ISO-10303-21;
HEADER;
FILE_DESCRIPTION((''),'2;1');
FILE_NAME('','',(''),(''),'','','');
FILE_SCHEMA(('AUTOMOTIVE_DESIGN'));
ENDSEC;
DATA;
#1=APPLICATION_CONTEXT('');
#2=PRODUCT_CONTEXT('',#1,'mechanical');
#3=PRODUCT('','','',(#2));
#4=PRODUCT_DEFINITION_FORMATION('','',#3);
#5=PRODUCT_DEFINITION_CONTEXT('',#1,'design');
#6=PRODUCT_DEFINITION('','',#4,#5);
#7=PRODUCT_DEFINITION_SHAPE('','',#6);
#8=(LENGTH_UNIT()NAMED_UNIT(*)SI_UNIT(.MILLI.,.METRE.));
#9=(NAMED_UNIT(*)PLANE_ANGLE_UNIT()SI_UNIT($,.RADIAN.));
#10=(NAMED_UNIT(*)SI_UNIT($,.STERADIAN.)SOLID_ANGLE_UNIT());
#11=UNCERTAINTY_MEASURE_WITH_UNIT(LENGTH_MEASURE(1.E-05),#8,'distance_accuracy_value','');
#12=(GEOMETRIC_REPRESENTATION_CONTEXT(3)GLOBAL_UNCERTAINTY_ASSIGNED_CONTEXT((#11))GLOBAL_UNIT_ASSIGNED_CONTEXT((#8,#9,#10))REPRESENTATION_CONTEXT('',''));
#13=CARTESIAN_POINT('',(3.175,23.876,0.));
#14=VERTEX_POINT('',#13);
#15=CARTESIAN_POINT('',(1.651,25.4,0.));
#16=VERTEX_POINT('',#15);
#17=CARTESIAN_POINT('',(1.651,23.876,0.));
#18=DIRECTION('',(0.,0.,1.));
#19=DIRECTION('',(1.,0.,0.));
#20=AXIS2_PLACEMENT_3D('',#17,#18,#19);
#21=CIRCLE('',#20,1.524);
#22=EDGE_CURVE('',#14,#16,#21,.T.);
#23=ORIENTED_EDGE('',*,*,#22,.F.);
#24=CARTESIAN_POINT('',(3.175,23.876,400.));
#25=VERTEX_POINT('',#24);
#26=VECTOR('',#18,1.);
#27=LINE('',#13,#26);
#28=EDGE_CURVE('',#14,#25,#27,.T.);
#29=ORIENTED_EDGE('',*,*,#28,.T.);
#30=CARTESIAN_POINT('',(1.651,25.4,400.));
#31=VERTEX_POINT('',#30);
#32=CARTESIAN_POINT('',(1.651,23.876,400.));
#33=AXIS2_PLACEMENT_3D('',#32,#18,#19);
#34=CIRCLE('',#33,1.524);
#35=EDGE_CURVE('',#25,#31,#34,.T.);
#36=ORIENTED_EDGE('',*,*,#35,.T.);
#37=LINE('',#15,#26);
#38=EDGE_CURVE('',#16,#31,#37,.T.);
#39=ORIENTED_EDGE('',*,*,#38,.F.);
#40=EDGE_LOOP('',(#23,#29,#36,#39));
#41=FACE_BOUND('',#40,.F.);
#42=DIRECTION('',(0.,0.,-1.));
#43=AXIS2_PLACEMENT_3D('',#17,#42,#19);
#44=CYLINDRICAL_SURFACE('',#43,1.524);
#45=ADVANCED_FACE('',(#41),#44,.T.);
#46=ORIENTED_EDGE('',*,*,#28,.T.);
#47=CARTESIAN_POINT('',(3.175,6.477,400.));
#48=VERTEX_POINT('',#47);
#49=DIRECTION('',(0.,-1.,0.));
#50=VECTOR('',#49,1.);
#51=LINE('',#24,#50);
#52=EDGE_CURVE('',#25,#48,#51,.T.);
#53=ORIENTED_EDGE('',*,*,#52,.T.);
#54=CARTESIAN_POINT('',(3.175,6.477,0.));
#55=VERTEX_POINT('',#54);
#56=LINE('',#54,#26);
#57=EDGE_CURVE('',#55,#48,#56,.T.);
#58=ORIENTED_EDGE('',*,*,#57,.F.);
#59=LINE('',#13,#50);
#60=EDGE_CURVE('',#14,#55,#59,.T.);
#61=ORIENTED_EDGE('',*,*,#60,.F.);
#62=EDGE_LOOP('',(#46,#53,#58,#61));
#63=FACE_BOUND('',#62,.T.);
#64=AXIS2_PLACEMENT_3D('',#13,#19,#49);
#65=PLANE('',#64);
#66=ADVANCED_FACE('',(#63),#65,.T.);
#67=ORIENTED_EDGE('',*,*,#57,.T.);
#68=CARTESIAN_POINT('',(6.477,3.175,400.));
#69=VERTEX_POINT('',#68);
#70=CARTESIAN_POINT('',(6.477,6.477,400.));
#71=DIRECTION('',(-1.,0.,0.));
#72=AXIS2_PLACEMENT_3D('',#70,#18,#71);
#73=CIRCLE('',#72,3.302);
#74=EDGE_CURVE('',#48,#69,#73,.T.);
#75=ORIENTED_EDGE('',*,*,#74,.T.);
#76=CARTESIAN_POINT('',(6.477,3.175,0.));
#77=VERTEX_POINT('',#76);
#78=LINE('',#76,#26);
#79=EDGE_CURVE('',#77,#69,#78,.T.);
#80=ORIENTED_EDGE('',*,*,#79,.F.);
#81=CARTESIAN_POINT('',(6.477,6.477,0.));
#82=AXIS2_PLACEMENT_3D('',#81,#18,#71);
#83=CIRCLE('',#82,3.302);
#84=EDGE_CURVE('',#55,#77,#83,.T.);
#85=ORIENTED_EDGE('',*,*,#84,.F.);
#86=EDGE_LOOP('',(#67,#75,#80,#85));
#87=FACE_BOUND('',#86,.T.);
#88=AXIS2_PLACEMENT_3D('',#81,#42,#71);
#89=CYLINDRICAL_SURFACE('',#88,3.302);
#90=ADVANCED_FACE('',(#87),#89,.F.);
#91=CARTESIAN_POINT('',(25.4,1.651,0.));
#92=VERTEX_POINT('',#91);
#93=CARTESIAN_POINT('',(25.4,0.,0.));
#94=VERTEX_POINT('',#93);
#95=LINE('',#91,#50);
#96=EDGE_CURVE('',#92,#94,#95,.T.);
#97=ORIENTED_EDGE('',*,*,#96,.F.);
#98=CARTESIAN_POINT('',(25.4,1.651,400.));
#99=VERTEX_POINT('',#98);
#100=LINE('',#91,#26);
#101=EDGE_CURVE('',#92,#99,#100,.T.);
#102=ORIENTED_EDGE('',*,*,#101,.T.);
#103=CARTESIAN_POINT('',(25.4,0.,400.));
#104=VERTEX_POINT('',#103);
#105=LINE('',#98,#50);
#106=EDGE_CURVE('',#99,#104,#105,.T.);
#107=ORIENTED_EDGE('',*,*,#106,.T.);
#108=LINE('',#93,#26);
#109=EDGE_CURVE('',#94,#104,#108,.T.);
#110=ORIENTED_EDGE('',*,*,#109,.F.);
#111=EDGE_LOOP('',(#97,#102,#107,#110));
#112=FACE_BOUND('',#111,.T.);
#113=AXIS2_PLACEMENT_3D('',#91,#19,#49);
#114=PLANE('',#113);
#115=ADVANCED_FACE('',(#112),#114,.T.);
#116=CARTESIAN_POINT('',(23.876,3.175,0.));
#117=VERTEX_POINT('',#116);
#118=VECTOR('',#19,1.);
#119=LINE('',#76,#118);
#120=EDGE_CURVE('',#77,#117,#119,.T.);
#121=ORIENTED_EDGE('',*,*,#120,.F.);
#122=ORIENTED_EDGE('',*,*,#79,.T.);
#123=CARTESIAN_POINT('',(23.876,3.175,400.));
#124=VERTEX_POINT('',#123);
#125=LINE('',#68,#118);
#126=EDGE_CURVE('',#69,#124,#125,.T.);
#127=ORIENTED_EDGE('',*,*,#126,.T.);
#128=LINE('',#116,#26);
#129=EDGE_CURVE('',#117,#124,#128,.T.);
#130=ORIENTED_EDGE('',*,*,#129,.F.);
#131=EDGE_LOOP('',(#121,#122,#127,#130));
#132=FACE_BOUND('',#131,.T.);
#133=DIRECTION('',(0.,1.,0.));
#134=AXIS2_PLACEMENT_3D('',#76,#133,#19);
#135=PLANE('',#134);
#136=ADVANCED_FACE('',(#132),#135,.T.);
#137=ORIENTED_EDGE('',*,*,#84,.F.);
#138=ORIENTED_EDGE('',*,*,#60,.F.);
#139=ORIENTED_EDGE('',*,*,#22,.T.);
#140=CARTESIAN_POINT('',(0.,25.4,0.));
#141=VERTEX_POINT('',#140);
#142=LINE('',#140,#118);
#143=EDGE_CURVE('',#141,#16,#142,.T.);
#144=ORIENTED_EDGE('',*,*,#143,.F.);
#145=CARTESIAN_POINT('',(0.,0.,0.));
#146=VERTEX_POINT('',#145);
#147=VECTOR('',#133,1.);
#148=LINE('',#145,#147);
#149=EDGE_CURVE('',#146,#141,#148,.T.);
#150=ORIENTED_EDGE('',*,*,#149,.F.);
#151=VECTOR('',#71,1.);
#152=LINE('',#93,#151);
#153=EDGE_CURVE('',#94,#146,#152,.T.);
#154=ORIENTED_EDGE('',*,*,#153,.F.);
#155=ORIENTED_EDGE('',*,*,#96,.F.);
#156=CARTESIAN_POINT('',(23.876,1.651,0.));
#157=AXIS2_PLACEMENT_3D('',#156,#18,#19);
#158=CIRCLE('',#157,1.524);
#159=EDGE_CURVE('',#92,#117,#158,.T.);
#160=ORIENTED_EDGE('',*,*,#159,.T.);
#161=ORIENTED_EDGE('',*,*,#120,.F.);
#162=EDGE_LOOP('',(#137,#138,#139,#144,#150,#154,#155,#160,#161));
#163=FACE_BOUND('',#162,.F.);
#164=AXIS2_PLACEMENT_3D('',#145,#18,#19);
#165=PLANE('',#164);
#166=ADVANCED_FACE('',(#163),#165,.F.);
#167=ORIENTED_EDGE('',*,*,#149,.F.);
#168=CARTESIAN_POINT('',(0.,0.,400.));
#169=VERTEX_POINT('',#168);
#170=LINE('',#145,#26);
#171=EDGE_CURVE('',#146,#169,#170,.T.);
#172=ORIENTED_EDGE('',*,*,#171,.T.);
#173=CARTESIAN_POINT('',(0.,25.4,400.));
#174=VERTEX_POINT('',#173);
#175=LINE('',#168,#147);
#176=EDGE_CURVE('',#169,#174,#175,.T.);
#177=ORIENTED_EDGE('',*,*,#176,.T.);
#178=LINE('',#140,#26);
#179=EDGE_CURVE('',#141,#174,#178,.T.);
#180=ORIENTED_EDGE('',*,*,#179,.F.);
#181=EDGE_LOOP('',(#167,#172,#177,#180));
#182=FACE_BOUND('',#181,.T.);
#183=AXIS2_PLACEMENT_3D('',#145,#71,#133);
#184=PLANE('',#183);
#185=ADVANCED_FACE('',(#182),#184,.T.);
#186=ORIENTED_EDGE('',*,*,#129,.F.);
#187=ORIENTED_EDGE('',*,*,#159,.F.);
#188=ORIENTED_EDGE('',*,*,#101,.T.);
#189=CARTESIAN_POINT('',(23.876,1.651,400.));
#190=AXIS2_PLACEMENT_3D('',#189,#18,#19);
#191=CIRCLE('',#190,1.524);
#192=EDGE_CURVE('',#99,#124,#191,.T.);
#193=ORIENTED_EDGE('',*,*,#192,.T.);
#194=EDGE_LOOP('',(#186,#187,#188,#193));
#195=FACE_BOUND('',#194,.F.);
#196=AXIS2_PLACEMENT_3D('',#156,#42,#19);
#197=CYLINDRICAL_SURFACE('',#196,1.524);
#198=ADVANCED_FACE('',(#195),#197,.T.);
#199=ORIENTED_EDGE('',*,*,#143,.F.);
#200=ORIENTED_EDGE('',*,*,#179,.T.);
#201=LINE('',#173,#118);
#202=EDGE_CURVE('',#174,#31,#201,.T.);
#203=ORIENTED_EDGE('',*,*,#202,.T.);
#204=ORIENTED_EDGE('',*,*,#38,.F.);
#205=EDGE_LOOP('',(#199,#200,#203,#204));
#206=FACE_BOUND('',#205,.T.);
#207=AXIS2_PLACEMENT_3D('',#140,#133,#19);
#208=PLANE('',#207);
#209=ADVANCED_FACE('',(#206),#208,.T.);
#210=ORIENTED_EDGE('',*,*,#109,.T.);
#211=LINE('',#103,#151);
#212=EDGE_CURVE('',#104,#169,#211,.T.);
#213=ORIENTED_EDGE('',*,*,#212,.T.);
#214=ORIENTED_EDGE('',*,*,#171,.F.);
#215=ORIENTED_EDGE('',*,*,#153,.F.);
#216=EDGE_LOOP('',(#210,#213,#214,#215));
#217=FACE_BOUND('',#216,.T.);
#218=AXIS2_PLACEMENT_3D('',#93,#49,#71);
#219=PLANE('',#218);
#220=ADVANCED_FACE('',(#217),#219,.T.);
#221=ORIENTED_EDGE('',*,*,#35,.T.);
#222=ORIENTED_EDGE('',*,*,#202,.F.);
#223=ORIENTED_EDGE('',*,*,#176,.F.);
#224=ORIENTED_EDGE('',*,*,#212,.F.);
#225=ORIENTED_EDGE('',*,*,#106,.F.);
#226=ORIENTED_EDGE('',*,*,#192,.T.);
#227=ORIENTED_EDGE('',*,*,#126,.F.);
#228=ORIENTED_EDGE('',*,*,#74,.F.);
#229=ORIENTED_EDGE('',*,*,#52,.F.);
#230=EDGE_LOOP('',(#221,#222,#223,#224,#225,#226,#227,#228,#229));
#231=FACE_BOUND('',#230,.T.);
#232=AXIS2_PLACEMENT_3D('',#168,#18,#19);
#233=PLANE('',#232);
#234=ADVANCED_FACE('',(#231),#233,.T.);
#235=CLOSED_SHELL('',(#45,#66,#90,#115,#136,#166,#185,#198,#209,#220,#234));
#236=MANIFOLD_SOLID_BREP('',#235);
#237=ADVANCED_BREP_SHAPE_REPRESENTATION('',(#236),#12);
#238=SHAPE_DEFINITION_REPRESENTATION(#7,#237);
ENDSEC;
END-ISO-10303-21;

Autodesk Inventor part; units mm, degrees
ref_plane "YZ Plane" through (0, 0, 0) normal (1, 0, 0) x (0, 1, 0)
ref_plane "Start Plane" through (0, 0, 0) normal (0, 0, 1) x (1, 0, 0)
ref_plane "End Plane" through (0, 0, 400) normal (0, 0, 1) x (1, 0, 0)
sketch "Sketch" plane through (0, 0, 0) normal (0, 0, 1) x (1, 0, 0)
  line L0 (25.4, 0) -> (0, 0)
  line L1 (0, 0) -> (0, 25.4)
  line L2 (0, 25.4) -> (1.651, 25.4)
  line L3 (3.175, 23.876) -> (3.175, 6.477)
  line L4 (6.477, 3.175) -> (23.876, 3.175)
  line L5 (25.4, 1.651) -> (25.4, 0)
  line L6 (0, -11.0414) -> (0, 31.5385) construction
  line L7 (-11.0414, 0) -> (31.5385, 0) construction
  arc A0 (3.175, 6.477) -> (6.477, 3.175) centre (6.477, 6.477) ccw
  arc A1 (3.175, 23.876) -> (1.651, 25.4) centre (1.651, 23.876) ccw
  arc A2 (25.4, 1.651) -> (23.876, 3.175) centre (23.876, 1.651) ccw
  line L8 (0, 40.0545) -> (0, -19.5574) construction
  line L9 (-19.5574, 0) -> (40.0545, 0) construction
  point P0 (3.175, 25.4)
  point P1 (3.175, 3.175)
  point P2 (25.4, 3.175)
  dimension "d0" = 25.4
  dimension "d1" = 25.4
  dimension "d2" = 3.175
  dimension "d3" = 3.175
  dimension "d10" = 0
  dimension "d11" = 0
  dimension "d14" = 3.302
  dimension "d15" = 1.524
extrude "Body" add sketch "Sketch" along normal up to surface (400 mm away) from surface at 0
sketch "Sketch3" plane through (0, 0, 0) normal (0, 0, 1) x (1, 0, 0)
  line L0 (0, 0) -> (10, 0)
ref_plane "Work Plane3" through (0, 0, 0) normal (0, -1, 0) x (1, 0, 0)
sketch "Sketch4" plane through (0, 0, 0) normal (0, -1, 0) x (1, 0, 0)
  line L0 (-2, 0) -> (12, 0) projected
  line L1 (-2, 400) -> (12, 400) projected
  dimension "d17" = 400
equation "\"d0\" = G_H"
equation "\"d1\" = G_H"
equation "\"d2\" = G_T"
equation "\"d3\" = G_T"
equation "\"d14\" = G_IR"
equation "\"d15\" = G_ER"
equation "\"d4\" = G_L"
equation "\"G_H\" = 25.4"
equation "\"G_T\" = 3.175"
equation "\"G_ER\" = 1.524"
equation "\"G_IR\" = 3.302"
equation "\"G_L\" = d17"
equation "\"ex\" = 0"
equation "\"G_OFFSET_START\" = 0"
equation "\"G_OFFSET_END\" = 0"
equation "\"d13\" = G_OFFSET_END + B_L"
equation "\"B_L\" = 400"
properties part number "AISC - L 1 x 1 x 1/8 - 15.748" material "Steel, Mild"
